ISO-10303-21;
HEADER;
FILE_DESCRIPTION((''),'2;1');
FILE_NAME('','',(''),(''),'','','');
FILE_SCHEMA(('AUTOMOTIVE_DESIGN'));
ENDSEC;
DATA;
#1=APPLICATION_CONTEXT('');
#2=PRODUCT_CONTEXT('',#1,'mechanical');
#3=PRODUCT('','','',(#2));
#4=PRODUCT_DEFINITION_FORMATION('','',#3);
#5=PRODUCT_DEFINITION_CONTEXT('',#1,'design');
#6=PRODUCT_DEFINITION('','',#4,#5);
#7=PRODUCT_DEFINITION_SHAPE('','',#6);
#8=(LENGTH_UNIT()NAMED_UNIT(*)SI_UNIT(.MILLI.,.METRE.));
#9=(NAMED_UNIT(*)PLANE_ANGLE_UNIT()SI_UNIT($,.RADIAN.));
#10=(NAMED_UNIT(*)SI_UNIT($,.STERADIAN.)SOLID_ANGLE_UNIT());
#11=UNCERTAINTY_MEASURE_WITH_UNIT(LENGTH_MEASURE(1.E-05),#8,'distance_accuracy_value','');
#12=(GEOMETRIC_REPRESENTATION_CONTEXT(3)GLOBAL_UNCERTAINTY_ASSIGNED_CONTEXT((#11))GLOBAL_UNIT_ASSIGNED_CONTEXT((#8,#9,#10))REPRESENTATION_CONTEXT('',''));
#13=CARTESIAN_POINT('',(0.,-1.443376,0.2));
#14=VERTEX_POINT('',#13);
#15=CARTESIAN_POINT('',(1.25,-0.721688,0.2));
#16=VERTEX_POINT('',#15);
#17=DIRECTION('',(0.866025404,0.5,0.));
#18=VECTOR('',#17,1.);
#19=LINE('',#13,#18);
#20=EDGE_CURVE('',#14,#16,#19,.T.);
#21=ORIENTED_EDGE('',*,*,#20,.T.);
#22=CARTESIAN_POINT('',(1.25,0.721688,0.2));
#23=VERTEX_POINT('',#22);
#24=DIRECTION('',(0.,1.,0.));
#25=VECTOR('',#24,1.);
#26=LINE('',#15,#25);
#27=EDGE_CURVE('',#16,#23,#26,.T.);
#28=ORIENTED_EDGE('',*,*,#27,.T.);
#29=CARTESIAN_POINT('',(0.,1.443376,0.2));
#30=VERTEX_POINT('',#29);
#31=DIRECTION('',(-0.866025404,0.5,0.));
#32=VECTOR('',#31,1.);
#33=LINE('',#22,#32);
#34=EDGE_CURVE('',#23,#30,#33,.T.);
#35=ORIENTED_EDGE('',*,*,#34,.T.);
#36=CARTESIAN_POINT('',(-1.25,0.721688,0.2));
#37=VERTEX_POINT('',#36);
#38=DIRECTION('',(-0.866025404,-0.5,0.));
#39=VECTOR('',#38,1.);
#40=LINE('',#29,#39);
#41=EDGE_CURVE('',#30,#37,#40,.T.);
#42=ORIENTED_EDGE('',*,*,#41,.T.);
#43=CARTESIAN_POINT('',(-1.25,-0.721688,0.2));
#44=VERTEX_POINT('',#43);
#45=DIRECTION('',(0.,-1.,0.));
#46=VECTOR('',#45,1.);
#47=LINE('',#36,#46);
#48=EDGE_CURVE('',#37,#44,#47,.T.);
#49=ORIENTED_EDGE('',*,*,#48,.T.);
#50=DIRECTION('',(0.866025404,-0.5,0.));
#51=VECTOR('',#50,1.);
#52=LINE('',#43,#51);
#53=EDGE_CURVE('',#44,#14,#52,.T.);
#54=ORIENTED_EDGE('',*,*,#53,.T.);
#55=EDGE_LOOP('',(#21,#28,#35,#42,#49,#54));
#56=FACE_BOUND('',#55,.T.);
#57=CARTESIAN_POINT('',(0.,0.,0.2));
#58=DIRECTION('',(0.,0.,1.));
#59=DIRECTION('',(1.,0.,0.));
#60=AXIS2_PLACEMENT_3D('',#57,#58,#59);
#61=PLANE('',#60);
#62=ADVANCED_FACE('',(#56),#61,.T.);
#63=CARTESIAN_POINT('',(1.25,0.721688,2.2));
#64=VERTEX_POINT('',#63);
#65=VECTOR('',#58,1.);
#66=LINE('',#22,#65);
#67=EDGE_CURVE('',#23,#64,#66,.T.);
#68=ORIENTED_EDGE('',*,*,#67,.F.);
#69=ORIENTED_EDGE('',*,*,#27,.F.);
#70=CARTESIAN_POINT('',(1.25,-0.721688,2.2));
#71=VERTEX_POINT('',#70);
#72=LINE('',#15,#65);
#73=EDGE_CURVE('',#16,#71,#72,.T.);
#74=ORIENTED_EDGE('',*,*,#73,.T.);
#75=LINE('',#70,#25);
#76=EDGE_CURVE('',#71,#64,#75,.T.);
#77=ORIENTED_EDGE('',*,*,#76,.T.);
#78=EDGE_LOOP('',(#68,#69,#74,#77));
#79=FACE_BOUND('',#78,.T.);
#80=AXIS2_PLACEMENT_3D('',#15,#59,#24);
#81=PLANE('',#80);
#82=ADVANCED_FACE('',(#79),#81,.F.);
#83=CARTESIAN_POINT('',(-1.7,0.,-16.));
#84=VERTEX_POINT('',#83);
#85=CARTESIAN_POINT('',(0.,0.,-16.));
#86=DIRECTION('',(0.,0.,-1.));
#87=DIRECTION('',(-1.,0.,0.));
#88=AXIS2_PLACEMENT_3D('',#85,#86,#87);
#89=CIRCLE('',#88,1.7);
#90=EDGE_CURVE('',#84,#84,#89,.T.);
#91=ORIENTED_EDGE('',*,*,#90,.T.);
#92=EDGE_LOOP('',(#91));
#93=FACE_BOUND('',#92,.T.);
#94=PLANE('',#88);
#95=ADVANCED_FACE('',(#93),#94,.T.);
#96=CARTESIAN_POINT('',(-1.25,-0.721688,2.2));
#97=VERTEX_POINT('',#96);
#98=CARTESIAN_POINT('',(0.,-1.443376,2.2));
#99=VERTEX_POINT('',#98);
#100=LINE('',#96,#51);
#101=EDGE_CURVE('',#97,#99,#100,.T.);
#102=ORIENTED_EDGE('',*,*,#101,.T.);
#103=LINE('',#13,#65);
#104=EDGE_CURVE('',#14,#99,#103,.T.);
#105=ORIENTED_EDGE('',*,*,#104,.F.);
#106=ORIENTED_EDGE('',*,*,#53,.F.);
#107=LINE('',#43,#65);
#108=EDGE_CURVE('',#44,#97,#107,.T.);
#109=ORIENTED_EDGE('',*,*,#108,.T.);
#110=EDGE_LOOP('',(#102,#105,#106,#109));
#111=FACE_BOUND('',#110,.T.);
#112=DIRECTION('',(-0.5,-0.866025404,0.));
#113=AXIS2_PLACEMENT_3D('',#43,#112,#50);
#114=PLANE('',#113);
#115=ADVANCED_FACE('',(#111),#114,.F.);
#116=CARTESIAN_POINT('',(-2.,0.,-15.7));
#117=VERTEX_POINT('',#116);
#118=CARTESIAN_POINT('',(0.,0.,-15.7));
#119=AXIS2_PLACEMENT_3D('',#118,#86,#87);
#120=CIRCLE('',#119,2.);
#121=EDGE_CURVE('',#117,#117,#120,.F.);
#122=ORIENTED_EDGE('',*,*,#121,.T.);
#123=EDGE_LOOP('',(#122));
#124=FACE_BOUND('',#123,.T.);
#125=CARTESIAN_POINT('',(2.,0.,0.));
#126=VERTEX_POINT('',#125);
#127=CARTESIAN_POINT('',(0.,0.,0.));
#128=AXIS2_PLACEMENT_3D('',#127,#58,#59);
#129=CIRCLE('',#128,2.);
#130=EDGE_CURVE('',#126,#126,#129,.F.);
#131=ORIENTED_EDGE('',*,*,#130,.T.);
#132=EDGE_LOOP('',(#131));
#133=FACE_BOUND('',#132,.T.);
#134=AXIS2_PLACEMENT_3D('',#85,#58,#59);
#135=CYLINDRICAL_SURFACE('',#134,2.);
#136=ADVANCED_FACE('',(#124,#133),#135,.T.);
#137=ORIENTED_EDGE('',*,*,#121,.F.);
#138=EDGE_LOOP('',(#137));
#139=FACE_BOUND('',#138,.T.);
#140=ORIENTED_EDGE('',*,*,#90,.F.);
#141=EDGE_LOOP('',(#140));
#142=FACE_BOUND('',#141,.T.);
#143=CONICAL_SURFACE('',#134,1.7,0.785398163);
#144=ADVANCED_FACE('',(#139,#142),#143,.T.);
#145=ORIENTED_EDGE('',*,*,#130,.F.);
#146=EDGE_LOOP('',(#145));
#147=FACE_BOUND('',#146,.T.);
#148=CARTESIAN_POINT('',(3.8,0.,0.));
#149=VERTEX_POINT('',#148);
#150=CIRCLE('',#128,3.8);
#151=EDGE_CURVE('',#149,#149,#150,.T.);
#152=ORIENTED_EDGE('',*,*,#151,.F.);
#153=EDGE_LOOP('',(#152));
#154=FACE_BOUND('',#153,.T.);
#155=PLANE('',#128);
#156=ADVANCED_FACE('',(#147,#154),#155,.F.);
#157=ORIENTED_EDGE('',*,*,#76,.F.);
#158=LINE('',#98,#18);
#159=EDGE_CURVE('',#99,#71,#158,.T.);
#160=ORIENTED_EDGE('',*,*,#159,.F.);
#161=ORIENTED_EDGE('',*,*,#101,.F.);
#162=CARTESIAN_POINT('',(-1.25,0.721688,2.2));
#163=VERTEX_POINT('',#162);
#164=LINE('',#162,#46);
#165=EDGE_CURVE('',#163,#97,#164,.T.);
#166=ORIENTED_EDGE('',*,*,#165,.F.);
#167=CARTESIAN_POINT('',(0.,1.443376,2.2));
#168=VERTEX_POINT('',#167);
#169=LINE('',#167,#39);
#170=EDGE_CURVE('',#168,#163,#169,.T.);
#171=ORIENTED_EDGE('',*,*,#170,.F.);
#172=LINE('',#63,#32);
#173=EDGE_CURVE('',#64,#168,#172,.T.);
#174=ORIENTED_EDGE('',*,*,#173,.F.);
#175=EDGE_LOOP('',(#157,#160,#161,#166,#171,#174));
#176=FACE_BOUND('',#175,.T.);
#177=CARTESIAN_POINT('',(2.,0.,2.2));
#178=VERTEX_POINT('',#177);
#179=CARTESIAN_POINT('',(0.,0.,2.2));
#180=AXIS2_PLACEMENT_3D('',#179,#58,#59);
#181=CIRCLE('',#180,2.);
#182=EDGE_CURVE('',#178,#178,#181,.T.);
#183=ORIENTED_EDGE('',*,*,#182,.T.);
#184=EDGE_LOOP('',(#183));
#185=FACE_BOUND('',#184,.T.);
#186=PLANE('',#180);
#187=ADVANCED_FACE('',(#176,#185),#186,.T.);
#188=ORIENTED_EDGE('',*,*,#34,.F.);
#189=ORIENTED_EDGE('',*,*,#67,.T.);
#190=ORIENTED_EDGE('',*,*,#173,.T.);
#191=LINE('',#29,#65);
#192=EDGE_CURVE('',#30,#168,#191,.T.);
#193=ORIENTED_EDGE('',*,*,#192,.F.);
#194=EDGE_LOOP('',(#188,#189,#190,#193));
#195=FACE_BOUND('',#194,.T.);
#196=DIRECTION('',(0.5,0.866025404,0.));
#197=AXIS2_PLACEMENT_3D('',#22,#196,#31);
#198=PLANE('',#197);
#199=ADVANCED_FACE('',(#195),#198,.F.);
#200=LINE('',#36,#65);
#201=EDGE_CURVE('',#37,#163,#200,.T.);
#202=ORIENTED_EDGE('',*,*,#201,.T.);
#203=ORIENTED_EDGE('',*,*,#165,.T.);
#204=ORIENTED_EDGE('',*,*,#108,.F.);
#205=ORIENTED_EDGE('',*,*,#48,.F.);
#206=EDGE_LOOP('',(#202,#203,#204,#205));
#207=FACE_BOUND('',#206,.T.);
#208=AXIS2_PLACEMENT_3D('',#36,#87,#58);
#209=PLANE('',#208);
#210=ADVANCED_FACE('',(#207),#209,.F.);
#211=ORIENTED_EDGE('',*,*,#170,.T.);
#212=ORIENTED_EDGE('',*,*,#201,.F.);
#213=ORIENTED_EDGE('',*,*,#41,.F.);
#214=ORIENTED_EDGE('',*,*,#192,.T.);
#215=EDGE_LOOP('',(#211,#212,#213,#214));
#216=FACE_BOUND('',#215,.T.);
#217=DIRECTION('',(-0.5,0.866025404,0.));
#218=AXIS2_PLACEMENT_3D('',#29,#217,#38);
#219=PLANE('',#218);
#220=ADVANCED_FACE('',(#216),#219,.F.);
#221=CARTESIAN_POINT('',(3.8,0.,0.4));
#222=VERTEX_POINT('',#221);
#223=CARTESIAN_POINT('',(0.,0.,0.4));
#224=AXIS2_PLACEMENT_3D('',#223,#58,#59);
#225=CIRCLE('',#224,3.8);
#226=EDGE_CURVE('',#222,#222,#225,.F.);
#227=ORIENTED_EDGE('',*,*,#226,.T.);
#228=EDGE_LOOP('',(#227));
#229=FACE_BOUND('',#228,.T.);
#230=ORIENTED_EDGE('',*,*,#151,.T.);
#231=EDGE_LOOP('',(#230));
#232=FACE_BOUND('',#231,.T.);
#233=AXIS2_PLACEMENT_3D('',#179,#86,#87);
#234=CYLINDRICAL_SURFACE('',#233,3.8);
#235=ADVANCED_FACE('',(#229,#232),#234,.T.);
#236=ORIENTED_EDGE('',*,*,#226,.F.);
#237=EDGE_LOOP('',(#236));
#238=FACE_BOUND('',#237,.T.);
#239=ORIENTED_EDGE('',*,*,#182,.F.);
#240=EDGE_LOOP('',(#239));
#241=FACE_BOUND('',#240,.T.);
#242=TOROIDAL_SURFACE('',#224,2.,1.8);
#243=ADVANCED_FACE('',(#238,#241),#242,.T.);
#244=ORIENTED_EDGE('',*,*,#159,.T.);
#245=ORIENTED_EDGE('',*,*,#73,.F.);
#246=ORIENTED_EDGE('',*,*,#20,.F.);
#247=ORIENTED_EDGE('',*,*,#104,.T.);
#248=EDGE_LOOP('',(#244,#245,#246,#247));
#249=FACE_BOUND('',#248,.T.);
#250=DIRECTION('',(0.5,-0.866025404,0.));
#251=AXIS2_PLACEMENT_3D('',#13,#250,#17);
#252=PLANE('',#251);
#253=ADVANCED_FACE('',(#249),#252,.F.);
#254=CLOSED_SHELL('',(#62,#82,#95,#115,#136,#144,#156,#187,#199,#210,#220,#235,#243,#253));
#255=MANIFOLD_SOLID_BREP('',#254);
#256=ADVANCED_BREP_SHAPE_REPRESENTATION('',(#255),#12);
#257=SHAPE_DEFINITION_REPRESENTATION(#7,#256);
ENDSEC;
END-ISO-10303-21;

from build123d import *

# Parameters (mm, degrees)
SKETCH1_R           = 3.8
BOSS_EXTRUDE1_DEPTH = 2.2
SKETCH2_R           = 2
BOSS_EXTRUDE2_DEPTH = 16
CHAMFER1_SIZE       = 0.3
CUT_EXTRUDE1_DEPTH  = 2
FILLET1_R           = 1.8


with BuildPart() as part:
    # Sketch1 → Boss-Extrude1 (new body)
    with BuildSketch(Plane.XY):
        Circle(SKETCH1_R)
    extrude(amount=BOSS_EXTRUDE1_DEPTH)

    # Sketch2 → Boss-Extrude2 (add)
    with BuildSketch(Plane(origin=(0, 0, 0), x_dir=(-1, 0, 0), z_dir=(0, 0, -1))):
        Circle(SKETCH2_R)
    extrude(amount=BOSS_EXTRUDE2_DEPTH)

    # Chamfer1
    chamfer1_edges = [part.edges().sort_by_distance(p)[0] for p in [
        (2, 0, -16),
    ]]
    chamfer(chamfer1_edges, length=CHAMFER1_SIZE)

    # Sketch3 → Cut-Extrude1 (cut)
    with BuildSketch(Plane.XY.offset(2.2)):
        Polygon((0, 1.443375673), (-1.25, 0.721687836), (-1.25, -0.721687836), (0, -1.443375673), (1.25, -0.721687836), (1.25, 0.721687836), align=None)
    extrude(amount=-CUT_EXTRUDE1_DEPTH, mode=Mode.SUBTRACT)

    # Fillet1
    fillet1_edges = [part.edges().sort_by_distance(p)[0] for p in [
        (-3.8, 0, 2.2),
    ]]
    fillet(fillet1_edges, radius=FILLET1_R)


solid = part.part
